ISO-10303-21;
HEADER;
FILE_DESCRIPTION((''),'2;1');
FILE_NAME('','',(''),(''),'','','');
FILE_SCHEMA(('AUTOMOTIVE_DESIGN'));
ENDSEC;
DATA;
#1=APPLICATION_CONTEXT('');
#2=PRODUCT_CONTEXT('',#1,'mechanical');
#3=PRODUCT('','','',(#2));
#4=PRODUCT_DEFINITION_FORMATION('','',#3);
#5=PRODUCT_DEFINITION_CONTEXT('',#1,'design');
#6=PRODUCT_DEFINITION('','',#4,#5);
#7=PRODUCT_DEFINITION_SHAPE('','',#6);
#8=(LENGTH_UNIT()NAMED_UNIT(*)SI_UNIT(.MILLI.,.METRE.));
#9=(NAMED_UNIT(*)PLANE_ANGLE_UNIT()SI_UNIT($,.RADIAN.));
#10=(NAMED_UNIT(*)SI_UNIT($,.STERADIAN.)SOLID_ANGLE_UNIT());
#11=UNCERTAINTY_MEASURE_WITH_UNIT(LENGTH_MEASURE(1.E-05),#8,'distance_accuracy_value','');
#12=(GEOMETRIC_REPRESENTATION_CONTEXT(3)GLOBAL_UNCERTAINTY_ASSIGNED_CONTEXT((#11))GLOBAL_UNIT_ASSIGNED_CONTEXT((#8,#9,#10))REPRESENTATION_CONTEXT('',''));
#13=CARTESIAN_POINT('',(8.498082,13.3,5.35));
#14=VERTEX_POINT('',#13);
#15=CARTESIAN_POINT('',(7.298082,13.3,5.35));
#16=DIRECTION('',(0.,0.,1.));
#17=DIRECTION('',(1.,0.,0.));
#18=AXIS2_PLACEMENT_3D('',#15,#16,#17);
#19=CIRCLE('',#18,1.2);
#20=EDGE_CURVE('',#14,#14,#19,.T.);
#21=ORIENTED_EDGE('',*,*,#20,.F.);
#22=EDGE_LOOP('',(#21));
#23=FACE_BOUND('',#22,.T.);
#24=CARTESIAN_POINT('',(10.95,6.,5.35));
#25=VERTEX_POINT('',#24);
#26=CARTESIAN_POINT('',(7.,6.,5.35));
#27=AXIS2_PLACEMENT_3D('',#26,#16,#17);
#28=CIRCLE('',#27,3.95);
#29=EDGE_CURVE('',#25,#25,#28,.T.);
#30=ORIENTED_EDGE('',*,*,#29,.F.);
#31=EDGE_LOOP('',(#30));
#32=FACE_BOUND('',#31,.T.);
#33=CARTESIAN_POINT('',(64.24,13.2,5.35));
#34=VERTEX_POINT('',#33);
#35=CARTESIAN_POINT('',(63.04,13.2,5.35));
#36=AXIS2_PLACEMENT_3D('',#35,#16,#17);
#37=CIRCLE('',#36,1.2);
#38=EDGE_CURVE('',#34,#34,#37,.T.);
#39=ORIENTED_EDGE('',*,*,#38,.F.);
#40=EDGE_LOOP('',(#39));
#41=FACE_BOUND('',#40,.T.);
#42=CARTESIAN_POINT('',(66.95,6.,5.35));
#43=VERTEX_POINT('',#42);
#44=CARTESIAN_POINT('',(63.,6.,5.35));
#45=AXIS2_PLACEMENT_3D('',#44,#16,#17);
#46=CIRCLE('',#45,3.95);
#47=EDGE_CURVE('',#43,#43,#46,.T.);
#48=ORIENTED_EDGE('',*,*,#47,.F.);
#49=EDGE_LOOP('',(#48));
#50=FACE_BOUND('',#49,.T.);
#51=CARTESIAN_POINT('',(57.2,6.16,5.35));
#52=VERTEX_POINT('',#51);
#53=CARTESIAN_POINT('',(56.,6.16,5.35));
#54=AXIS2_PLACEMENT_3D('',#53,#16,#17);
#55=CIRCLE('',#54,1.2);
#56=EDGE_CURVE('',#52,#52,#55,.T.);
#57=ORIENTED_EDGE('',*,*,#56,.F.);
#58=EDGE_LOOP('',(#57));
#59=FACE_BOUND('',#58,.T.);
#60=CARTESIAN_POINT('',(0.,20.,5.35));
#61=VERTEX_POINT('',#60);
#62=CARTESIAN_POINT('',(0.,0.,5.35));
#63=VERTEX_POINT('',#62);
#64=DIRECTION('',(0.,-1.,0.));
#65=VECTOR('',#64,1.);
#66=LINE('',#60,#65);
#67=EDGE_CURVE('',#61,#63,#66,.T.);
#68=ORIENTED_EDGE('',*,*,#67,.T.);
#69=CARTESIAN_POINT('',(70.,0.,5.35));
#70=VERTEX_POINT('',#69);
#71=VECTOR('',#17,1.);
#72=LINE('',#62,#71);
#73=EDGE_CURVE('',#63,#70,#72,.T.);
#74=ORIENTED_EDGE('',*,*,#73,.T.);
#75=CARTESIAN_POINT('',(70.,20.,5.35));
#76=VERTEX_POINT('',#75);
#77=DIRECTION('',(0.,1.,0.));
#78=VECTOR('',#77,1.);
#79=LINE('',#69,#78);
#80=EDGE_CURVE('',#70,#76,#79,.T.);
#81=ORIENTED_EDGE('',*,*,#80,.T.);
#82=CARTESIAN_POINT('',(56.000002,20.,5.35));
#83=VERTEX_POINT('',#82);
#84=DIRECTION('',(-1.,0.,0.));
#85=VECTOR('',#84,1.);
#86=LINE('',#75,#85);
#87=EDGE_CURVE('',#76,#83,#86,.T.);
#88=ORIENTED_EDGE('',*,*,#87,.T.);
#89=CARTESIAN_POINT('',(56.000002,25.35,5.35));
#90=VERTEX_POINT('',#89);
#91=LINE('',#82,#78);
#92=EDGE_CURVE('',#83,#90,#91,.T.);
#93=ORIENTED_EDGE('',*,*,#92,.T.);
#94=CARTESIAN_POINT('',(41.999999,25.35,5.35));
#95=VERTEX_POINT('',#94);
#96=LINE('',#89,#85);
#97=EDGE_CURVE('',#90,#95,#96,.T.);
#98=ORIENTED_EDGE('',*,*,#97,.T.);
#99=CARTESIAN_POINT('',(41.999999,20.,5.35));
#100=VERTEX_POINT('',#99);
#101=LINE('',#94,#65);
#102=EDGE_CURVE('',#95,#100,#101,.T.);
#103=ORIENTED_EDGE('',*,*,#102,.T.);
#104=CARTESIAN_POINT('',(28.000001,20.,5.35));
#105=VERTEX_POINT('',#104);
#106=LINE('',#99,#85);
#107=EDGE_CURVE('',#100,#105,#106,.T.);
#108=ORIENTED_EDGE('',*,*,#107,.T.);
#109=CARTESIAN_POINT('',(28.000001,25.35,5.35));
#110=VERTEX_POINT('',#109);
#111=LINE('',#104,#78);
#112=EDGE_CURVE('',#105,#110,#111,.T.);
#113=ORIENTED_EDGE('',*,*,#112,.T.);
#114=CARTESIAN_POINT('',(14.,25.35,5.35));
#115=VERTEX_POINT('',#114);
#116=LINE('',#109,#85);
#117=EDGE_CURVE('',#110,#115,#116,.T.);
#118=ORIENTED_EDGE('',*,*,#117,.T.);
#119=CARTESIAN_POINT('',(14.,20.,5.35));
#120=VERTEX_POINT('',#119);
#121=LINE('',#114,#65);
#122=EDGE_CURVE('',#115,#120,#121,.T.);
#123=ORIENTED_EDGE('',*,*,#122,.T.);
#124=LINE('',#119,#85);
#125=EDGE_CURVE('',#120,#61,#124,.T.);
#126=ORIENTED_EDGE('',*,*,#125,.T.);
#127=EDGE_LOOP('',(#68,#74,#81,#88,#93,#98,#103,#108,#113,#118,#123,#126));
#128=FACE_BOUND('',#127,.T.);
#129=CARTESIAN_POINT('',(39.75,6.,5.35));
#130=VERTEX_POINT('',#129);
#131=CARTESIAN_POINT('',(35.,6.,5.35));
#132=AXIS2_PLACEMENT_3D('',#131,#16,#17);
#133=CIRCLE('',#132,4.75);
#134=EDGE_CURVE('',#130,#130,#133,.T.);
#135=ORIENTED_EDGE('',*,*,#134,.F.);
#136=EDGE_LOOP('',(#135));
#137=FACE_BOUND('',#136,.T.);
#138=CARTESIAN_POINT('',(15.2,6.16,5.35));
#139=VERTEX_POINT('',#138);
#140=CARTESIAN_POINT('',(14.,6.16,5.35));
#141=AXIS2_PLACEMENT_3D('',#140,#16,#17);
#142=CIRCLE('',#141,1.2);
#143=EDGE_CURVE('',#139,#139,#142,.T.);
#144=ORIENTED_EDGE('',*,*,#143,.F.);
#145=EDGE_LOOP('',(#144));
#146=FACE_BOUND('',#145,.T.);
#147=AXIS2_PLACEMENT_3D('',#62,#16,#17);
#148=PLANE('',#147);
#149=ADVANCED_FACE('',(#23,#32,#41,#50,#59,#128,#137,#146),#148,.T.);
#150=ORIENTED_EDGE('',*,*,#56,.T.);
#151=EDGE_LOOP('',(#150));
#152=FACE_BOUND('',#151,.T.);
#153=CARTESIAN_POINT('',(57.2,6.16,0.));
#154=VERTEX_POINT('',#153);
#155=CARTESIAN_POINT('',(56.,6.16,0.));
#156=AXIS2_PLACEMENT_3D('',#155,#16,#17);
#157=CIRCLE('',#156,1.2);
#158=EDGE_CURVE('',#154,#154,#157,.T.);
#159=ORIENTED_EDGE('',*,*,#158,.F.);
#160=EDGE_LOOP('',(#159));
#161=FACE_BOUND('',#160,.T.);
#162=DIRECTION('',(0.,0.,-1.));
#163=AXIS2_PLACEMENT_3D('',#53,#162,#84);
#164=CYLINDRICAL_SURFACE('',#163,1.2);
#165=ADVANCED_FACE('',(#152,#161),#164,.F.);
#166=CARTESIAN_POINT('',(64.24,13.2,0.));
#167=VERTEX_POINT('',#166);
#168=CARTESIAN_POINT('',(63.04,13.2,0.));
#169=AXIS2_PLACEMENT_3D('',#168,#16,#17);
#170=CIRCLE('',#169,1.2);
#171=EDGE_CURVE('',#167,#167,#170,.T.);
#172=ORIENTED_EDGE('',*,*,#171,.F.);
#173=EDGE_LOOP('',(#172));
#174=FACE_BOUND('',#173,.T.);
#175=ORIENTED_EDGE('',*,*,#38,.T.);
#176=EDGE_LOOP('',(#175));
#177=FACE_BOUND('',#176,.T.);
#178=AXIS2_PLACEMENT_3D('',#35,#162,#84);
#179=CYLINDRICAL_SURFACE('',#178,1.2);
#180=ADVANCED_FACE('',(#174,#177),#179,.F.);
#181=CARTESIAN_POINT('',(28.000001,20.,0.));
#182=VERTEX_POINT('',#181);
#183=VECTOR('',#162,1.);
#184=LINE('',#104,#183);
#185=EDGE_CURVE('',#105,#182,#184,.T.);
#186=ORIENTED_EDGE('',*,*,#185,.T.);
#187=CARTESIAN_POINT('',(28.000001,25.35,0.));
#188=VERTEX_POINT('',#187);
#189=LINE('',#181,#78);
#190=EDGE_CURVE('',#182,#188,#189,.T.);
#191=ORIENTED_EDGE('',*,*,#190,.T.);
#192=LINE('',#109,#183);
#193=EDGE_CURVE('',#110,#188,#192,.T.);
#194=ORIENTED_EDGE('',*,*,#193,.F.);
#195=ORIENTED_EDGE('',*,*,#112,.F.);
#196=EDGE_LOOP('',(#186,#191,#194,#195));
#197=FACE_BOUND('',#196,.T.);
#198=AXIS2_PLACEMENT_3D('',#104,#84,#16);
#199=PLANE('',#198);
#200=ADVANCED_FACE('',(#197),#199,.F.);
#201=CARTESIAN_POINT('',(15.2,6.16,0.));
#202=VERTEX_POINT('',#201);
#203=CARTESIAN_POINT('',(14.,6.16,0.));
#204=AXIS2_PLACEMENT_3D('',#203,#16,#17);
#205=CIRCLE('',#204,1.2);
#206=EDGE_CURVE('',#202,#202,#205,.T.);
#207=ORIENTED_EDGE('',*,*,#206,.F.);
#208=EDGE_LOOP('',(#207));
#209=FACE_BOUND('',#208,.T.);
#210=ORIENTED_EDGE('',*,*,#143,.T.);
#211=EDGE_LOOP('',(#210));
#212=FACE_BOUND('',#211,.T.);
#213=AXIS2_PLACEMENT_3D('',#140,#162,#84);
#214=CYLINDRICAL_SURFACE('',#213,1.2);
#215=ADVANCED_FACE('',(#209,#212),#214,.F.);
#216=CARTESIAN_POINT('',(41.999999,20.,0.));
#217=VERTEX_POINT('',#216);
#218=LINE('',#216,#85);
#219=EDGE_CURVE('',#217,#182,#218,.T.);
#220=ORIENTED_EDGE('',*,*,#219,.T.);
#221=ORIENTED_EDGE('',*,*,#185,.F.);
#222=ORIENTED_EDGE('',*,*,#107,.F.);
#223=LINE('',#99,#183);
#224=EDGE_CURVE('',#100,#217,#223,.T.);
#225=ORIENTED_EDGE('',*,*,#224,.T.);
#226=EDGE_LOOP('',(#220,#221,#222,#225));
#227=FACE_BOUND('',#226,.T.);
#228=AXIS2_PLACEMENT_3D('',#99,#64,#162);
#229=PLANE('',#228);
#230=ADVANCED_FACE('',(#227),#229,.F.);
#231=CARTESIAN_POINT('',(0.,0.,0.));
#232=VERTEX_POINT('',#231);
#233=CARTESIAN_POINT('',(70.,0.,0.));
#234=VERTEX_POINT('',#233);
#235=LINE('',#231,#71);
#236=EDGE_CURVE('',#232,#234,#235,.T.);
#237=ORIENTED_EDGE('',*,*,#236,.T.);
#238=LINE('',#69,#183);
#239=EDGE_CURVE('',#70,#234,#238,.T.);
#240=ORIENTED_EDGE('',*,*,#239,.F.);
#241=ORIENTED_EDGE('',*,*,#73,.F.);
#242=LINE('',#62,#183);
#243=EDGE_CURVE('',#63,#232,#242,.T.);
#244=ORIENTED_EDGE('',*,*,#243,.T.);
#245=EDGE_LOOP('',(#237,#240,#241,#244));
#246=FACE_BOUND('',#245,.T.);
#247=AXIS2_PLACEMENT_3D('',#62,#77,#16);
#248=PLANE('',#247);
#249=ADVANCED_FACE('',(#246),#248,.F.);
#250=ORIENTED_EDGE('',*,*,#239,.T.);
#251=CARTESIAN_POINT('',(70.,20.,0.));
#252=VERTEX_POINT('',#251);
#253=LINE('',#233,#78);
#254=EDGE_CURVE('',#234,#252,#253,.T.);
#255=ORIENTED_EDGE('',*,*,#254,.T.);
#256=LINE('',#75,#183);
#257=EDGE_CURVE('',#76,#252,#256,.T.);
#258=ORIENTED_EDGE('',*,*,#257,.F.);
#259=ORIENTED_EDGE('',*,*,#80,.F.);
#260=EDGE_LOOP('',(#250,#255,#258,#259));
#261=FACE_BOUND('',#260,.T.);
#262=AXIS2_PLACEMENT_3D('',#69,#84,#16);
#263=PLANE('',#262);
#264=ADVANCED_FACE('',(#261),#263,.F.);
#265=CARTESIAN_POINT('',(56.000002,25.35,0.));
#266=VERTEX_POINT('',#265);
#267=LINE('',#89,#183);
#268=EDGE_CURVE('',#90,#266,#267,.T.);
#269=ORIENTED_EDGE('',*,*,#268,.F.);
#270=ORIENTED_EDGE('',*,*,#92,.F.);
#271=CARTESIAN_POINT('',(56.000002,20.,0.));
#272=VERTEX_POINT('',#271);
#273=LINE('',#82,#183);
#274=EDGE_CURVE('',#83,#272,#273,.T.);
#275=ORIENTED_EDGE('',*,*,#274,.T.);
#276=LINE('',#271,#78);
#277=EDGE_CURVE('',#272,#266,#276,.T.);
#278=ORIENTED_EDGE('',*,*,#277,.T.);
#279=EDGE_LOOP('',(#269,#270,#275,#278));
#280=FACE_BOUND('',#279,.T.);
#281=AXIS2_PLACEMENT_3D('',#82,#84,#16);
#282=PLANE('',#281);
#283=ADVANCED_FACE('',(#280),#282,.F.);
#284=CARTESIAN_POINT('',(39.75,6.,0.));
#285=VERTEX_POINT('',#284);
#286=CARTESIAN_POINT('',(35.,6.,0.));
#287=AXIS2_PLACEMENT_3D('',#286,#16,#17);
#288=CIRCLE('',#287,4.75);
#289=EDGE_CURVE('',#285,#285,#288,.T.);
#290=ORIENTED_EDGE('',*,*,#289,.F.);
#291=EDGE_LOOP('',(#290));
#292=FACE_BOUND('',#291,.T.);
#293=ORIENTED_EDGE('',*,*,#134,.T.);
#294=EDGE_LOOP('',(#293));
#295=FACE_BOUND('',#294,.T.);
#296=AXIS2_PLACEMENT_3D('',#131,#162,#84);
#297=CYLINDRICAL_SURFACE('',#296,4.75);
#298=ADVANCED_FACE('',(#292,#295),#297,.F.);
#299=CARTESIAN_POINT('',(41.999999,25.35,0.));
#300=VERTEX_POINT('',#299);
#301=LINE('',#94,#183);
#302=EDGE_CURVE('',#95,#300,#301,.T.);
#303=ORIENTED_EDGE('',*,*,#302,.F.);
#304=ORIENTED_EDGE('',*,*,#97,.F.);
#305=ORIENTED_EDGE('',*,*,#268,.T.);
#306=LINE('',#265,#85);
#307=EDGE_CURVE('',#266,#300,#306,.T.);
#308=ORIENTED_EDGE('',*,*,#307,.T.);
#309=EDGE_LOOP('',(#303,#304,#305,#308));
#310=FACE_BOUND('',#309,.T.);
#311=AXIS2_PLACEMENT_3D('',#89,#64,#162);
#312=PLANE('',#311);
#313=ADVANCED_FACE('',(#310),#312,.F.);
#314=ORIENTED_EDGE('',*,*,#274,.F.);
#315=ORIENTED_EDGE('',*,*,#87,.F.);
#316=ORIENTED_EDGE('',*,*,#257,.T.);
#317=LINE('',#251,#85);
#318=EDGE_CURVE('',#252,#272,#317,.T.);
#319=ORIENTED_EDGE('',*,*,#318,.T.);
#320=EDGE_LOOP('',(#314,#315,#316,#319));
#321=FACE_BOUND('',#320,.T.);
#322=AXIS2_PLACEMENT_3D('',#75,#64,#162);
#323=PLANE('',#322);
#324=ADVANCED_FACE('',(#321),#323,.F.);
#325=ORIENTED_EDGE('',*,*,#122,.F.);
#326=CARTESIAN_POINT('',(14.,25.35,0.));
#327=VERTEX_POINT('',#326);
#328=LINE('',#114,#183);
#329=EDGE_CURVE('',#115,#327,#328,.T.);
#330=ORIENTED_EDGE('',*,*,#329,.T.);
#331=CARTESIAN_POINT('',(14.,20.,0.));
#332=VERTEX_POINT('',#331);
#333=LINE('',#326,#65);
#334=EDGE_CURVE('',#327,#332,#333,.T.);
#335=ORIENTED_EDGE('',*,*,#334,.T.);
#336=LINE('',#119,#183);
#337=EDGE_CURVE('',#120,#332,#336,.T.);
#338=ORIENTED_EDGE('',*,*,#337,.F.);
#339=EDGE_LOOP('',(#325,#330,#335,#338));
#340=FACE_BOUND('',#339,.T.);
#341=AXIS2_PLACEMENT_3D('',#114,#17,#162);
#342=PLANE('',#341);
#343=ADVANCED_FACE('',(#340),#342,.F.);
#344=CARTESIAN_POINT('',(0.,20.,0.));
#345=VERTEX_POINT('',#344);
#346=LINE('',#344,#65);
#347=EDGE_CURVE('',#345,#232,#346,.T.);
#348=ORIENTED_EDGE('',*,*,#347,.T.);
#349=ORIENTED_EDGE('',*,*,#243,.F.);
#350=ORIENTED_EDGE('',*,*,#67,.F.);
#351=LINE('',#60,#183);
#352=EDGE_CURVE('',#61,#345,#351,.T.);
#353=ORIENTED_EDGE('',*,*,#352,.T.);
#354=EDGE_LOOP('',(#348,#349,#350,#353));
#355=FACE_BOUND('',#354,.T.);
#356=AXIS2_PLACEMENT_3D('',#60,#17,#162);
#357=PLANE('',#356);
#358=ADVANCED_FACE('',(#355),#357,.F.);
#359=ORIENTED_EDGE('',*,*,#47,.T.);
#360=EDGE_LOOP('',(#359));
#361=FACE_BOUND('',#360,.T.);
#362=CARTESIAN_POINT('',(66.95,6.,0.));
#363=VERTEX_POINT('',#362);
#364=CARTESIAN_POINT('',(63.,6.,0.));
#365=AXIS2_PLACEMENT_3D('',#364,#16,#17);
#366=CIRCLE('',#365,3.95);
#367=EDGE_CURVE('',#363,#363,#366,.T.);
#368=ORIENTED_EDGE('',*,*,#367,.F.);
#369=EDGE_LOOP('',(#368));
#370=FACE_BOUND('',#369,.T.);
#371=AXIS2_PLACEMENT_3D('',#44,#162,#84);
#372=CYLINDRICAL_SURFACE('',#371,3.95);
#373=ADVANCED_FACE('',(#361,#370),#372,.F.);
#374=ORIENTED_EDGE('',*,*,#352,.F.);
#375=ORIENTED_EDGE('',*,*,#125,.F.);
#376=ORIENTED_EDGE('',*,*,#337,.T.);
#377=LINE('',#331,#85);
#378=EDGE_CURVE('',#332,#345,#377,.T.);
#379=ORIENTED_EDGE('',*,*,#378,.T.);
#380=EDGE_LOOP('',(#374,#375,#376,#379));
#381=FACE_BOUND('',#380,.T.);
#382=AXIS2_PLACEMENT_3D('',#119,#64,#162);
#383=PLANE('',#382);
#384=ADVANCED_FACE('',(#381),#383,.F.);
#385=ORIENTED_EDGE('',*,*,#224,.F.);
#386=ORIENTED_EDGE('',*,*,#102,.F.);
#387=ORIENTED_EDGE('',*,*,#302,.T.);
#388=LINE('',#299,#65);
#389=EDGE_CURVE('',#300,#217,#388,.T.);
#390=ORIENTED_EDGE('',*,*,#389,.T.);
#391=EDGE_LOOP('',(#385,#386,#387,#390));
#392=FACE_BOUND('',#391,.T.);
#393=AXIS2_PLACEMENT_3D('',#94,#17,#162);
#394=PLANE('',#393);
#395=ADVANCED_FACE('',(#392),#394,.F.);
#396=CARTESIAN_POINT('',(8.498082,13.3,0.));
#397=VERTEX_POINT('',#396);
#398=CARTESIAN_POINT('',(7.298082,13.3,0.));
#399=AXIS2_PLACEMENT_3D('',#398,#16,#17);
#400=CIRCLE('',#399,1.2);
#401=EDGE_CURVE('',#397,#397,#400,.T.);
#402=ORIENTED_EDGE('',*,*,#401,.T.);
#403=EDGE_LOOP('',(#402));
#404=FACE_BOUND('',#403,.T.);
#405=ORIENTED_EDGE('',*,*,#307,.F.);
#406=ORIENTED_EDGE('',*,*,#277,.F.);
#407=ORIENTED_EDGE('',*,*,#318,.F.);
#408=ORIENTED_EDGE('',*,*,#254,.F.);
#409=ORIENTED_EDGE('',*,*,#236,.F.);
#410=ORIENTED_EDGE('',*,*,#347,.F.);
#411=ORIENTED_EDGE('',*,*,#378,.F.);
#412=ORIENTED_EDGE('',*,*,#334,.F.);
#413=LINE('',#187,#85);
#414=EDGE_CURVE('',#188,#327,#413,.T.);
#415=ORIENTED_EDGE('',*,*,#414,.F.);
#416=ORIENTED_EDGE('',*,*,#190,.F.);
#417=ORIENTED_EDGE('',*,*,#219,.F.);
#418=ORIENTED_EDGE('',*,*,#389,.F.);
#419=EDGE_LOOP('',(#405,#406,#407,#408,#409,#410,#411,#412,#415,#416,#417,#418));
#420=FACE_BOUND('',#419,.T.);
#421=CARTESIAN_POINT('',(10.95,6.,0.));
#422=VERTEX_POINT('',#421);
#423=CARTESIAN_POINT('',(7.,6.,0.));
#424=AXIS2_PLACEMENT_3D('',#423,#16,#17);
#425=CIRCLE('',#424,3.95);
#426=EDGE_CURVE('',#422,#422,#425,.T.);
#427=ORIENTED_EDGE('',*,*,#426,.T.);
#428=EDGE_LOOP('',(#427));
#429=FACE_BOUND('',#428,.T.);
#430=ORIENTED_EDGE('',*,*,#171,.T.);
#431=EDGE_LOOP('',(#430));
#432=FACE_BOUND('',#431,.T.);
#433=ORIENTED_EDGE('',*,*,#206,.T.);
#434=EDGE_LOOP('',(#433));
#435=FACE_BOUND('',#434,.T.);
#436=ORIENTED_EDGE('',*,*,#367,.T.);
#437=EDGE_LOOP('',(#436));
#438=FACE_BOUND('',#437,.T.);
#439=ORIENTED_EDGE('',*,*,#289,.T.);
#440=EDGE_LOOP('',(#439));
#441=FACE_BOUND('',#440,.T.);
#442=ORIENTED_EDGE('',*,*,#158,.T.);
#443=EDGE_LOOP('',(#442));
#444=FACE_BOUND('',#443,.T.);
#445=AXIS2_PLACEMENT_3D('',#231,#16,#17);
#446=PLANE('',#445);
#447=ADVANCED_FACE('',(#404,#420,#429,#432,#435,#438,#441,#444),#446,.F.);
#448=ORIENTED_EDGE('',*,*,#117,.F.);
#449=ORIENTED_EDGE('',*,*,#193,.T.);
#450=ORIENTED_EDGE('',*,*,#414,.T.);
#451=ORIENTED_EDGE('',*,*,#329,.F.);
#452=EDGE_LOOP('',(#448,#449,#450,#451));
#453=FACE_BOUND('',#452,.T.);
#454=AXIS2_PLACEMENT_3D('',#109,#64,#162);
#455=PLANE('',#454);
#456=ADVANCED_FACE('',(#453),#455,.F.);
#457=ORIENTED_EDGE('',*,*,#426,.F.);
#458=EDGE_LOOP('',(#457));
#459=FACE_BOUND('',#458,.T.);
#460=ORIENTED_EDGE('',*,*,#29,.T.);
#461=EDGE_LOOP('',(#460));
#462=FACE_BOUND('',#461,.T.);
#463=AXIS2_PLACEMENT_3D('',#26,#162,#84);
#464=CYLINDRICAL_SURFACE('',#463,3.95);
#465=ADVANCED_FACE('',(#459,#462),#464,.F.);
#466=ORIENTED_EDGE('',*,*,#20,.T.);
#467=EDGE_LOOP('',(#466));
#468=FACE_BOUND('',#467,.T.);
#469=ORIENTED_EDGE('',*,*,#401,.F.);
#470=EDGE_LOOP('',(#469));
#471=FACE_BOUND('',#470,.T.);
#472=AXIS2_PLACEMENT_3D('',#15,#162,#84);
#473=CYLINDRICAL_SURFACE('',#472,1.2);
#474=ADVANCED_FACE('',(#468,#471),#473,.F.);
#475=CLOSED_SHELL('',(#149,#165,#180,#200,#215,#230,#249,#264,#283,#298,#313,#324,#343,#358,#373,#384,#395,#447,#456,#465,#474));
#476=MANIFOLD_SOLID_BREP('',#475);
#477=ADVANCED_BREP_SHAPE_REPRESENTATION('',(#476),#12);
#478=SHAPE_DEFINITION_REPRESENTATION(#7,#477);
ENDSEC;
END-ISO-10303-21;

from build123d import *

# Parameters (mm, degrees)
MODEL_R             = 4.75
MODEL_R_2           = 3.95
MODEL_R_3           = 1.2
BOSS_EXTRUDE1_DEPTH = 5.35


with BuildPart() as part:
    # Model → Boss-Extrude1 (new body)
    with BuildSketch(Plane.XY):
        Polygon((0, 19.999999553), (0, 0), (70.000000298, 0), (70.000000298, 19.999999553), (56.000001729, 19.999999553), (56.000001729, 25.349999778), (41.999999434, 25.349999778), (41.999999434, 19.999999553), (28.000000864, 19.999999553), (28.000000864, 25.349999778), (14.000000432, 25.349999778), (14.000000432, 19.999999553), align=None)
        with Locations((35, 5.999999553)):
            Circle(MODEL_R, mode=Mode.SUBTRACT)
        with Locations((63, 5.999999553)):
            Circle(MODEL_R_2, mode=Mode.SUBTRACT)
        with Locations((7, 5.999999553)):
            Circle(MODEL_R_2, mode=Mode.SUBTRACT)
        with Locations((14, 6.159999553)):
            Circle(MODEL_R_3, mode=Mode.SUBTRACT)
        with Locations((56, 6.159999553)):
            Circle(MODEL_R_3, mode=Mode.SUBTRACT)
        with Locations((63.04, 13.199999553)):
            Circle(MODEL_R_3, mode=Mode.SUBTRACT)
        with Locations((7.29808245, 13.299999553)):
            Circle(MODEL_R_3, mode=Mode.SUBTRACT)
    extrude(amount=BOSS_EXTRUDE1_DEPTH)


solid = part.part
